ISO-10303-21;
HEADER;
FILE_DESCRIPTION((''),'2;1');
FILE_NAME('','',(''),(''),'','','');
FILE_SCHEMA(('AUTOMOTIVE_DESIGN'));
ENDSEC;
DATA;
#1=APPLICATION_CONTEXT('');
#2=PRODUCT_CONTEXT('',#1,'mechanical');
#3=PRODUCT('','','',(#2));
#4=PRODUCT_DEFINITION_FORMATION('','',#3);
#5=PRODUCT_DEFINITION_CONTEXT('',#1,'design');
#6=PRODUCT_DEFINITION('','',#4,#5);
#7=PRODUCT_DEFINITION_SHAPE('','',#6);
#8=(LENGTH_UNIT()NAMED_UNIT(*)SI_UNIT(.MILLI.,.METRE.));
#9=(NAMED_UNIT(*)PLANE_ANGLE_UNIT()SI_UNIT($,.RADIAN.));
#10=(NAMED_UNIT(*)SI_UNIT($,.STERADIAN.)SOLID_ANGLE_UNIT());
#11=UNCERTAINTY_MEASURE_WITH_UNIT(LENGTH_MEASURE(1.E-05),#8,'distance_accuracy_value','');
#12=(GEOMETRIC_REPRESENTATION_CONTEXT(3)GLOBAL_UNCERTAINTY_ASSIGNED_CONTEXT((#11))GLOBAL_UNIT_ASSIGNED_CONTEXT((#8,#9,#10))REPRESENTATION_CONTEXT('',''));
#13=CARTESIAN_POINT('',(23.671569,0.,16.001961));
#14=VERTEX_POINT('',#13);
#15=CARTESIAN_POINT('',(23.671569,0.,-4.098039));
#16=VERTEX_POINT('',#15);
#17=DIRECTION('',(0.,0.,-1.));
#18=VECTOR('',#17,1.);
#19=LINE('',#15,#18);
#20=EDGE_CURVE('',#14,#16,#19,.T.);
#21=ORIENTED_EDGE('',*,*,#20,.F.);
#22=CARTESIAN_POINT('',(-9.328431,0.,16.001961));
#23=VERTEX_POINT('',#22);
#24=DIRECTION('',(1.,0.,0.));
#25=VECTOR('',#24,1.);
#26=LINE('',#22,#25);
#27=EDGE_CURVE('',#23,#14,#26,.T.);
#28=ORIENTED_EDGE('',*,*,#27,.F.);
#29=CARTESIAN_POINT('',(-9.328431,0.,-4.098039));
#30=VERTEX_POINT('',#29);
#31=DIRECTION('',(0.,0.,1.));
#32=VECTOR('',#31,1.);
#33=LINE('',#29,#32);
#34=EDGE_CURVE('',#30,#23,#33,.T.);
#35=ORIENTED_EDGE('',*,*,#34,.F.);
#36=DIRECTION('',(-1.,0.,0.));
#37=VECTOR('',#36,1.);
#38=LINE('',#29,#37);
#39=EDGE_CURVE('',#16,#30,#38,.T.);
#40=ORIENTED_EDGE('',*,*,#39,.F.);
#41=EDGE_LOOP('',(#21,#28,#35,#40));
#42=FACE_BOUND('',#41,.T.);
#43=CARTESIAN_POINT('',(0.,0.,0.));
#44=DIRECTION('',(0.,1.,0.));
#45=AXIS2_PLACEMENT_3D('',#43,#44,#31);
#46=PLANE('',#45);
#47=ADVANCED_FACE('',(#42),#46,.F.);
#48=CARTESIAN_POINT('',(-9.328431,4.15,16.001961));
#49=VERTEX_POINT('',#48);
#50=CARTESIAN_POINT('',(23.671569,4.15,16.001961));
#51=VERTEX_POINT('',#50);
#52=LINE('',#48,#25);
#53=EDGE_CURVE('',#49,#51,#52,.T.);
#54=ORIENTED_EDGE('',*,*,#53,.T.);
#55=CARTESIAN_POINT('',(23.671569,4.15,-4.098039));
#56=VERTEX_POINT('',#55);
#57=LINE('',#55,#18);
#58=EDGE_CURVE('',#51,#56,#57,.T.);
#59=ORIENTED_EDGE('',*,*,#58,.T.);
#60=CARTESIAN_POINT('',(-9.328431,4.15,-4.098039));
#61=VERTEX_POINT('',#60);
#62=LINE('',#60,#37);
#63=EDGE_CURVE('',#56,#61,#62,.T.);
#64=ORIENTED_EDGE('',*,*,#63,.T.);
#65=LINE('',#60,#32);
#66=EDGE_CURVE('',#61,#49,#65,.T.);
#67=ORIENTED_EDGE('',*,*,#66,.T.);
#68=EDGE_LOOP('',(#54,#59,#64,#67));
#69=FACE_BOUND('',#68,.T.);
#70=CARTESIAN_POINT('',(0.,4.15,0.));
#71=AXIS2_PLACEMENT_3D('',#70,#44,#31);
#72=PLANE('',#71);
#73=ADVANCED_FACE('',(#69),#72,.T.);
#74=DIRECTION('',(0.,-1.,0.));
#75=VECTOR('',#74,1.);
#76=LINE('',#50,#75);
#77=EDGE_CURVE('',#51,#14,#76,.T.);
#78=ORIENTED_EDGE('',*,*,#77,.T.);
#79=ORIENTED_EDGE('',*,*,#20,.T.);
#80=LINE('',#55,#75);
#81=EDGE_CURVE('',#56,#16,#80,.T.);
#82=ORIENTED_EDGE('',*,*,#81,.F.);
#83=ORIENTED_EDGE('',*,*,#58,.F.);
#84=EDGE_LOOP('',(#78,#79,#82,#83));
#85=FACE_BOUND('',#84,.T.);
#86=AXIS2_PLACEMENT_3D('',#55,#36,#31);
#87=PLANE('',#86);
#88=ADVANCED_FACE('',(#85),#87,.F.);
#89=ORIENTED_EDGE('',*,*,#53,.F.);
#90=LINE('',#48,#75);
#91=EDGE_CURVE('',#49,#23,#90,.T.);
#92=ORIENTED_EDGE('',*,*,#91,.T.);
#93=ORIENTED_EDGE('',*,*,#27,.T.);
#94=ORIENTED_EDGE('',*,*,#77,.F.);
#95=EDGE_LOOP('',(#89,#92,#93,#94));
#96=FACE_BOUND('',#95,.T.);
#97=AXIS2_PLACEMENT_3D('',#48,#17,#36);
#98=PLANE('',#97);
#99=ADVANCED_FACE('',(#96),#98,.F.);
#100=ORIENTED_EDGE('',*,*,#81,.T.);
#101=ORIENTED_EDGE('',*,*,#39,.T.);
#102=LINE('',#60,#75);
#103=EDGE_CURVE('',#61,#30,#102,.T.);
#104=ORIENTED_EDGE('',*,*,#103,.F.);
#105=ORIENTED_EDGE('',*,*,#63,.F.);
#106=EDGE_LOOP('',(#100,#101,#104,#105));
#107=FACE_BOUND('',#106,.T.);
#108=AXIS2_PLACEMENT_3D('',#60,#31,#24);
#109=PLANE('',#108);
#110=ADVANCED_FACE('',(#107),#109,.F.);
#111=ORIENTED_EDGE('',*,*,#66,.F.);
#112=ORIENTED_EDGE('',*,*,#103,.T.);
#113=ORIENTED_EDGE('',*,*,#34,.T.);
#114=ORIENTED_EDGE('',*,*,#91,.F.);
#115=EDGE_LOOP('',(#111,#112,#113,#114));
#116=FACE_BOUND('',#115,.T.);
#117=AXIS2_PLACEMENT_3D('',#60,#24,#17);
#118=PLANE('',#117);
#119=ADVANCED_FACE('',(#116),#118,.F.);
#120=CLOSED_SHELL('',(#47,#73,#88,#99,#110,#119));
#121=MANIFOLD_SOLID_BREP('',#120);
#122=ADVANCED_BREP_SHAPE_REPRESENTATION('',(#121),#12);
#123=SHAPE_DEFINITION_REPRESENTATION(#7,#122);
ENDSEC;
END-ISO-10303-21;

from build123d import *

# Parameters (mm, degrees)
SKETCH_1_W      = 33
SKETCH_1_H      = 20.1
EXTRUDE_1_DEPTH = 4.15


with BuildPart() as part:
    # 草图1 → 凸台-拉伸1 (new body)
    with BuildSketch(Plane(origin=(0, 0, 0), x_dir=(1, 0, 0), z_dir=(0, 1, 0))):
        with Locations((7.171568627, -5.951960784)):
            Rectangle(SKETCH_1_W, SKETCH_1_H)
    extrude(amount=EXTRUDE_1_DEPTH)


solid = part.part
